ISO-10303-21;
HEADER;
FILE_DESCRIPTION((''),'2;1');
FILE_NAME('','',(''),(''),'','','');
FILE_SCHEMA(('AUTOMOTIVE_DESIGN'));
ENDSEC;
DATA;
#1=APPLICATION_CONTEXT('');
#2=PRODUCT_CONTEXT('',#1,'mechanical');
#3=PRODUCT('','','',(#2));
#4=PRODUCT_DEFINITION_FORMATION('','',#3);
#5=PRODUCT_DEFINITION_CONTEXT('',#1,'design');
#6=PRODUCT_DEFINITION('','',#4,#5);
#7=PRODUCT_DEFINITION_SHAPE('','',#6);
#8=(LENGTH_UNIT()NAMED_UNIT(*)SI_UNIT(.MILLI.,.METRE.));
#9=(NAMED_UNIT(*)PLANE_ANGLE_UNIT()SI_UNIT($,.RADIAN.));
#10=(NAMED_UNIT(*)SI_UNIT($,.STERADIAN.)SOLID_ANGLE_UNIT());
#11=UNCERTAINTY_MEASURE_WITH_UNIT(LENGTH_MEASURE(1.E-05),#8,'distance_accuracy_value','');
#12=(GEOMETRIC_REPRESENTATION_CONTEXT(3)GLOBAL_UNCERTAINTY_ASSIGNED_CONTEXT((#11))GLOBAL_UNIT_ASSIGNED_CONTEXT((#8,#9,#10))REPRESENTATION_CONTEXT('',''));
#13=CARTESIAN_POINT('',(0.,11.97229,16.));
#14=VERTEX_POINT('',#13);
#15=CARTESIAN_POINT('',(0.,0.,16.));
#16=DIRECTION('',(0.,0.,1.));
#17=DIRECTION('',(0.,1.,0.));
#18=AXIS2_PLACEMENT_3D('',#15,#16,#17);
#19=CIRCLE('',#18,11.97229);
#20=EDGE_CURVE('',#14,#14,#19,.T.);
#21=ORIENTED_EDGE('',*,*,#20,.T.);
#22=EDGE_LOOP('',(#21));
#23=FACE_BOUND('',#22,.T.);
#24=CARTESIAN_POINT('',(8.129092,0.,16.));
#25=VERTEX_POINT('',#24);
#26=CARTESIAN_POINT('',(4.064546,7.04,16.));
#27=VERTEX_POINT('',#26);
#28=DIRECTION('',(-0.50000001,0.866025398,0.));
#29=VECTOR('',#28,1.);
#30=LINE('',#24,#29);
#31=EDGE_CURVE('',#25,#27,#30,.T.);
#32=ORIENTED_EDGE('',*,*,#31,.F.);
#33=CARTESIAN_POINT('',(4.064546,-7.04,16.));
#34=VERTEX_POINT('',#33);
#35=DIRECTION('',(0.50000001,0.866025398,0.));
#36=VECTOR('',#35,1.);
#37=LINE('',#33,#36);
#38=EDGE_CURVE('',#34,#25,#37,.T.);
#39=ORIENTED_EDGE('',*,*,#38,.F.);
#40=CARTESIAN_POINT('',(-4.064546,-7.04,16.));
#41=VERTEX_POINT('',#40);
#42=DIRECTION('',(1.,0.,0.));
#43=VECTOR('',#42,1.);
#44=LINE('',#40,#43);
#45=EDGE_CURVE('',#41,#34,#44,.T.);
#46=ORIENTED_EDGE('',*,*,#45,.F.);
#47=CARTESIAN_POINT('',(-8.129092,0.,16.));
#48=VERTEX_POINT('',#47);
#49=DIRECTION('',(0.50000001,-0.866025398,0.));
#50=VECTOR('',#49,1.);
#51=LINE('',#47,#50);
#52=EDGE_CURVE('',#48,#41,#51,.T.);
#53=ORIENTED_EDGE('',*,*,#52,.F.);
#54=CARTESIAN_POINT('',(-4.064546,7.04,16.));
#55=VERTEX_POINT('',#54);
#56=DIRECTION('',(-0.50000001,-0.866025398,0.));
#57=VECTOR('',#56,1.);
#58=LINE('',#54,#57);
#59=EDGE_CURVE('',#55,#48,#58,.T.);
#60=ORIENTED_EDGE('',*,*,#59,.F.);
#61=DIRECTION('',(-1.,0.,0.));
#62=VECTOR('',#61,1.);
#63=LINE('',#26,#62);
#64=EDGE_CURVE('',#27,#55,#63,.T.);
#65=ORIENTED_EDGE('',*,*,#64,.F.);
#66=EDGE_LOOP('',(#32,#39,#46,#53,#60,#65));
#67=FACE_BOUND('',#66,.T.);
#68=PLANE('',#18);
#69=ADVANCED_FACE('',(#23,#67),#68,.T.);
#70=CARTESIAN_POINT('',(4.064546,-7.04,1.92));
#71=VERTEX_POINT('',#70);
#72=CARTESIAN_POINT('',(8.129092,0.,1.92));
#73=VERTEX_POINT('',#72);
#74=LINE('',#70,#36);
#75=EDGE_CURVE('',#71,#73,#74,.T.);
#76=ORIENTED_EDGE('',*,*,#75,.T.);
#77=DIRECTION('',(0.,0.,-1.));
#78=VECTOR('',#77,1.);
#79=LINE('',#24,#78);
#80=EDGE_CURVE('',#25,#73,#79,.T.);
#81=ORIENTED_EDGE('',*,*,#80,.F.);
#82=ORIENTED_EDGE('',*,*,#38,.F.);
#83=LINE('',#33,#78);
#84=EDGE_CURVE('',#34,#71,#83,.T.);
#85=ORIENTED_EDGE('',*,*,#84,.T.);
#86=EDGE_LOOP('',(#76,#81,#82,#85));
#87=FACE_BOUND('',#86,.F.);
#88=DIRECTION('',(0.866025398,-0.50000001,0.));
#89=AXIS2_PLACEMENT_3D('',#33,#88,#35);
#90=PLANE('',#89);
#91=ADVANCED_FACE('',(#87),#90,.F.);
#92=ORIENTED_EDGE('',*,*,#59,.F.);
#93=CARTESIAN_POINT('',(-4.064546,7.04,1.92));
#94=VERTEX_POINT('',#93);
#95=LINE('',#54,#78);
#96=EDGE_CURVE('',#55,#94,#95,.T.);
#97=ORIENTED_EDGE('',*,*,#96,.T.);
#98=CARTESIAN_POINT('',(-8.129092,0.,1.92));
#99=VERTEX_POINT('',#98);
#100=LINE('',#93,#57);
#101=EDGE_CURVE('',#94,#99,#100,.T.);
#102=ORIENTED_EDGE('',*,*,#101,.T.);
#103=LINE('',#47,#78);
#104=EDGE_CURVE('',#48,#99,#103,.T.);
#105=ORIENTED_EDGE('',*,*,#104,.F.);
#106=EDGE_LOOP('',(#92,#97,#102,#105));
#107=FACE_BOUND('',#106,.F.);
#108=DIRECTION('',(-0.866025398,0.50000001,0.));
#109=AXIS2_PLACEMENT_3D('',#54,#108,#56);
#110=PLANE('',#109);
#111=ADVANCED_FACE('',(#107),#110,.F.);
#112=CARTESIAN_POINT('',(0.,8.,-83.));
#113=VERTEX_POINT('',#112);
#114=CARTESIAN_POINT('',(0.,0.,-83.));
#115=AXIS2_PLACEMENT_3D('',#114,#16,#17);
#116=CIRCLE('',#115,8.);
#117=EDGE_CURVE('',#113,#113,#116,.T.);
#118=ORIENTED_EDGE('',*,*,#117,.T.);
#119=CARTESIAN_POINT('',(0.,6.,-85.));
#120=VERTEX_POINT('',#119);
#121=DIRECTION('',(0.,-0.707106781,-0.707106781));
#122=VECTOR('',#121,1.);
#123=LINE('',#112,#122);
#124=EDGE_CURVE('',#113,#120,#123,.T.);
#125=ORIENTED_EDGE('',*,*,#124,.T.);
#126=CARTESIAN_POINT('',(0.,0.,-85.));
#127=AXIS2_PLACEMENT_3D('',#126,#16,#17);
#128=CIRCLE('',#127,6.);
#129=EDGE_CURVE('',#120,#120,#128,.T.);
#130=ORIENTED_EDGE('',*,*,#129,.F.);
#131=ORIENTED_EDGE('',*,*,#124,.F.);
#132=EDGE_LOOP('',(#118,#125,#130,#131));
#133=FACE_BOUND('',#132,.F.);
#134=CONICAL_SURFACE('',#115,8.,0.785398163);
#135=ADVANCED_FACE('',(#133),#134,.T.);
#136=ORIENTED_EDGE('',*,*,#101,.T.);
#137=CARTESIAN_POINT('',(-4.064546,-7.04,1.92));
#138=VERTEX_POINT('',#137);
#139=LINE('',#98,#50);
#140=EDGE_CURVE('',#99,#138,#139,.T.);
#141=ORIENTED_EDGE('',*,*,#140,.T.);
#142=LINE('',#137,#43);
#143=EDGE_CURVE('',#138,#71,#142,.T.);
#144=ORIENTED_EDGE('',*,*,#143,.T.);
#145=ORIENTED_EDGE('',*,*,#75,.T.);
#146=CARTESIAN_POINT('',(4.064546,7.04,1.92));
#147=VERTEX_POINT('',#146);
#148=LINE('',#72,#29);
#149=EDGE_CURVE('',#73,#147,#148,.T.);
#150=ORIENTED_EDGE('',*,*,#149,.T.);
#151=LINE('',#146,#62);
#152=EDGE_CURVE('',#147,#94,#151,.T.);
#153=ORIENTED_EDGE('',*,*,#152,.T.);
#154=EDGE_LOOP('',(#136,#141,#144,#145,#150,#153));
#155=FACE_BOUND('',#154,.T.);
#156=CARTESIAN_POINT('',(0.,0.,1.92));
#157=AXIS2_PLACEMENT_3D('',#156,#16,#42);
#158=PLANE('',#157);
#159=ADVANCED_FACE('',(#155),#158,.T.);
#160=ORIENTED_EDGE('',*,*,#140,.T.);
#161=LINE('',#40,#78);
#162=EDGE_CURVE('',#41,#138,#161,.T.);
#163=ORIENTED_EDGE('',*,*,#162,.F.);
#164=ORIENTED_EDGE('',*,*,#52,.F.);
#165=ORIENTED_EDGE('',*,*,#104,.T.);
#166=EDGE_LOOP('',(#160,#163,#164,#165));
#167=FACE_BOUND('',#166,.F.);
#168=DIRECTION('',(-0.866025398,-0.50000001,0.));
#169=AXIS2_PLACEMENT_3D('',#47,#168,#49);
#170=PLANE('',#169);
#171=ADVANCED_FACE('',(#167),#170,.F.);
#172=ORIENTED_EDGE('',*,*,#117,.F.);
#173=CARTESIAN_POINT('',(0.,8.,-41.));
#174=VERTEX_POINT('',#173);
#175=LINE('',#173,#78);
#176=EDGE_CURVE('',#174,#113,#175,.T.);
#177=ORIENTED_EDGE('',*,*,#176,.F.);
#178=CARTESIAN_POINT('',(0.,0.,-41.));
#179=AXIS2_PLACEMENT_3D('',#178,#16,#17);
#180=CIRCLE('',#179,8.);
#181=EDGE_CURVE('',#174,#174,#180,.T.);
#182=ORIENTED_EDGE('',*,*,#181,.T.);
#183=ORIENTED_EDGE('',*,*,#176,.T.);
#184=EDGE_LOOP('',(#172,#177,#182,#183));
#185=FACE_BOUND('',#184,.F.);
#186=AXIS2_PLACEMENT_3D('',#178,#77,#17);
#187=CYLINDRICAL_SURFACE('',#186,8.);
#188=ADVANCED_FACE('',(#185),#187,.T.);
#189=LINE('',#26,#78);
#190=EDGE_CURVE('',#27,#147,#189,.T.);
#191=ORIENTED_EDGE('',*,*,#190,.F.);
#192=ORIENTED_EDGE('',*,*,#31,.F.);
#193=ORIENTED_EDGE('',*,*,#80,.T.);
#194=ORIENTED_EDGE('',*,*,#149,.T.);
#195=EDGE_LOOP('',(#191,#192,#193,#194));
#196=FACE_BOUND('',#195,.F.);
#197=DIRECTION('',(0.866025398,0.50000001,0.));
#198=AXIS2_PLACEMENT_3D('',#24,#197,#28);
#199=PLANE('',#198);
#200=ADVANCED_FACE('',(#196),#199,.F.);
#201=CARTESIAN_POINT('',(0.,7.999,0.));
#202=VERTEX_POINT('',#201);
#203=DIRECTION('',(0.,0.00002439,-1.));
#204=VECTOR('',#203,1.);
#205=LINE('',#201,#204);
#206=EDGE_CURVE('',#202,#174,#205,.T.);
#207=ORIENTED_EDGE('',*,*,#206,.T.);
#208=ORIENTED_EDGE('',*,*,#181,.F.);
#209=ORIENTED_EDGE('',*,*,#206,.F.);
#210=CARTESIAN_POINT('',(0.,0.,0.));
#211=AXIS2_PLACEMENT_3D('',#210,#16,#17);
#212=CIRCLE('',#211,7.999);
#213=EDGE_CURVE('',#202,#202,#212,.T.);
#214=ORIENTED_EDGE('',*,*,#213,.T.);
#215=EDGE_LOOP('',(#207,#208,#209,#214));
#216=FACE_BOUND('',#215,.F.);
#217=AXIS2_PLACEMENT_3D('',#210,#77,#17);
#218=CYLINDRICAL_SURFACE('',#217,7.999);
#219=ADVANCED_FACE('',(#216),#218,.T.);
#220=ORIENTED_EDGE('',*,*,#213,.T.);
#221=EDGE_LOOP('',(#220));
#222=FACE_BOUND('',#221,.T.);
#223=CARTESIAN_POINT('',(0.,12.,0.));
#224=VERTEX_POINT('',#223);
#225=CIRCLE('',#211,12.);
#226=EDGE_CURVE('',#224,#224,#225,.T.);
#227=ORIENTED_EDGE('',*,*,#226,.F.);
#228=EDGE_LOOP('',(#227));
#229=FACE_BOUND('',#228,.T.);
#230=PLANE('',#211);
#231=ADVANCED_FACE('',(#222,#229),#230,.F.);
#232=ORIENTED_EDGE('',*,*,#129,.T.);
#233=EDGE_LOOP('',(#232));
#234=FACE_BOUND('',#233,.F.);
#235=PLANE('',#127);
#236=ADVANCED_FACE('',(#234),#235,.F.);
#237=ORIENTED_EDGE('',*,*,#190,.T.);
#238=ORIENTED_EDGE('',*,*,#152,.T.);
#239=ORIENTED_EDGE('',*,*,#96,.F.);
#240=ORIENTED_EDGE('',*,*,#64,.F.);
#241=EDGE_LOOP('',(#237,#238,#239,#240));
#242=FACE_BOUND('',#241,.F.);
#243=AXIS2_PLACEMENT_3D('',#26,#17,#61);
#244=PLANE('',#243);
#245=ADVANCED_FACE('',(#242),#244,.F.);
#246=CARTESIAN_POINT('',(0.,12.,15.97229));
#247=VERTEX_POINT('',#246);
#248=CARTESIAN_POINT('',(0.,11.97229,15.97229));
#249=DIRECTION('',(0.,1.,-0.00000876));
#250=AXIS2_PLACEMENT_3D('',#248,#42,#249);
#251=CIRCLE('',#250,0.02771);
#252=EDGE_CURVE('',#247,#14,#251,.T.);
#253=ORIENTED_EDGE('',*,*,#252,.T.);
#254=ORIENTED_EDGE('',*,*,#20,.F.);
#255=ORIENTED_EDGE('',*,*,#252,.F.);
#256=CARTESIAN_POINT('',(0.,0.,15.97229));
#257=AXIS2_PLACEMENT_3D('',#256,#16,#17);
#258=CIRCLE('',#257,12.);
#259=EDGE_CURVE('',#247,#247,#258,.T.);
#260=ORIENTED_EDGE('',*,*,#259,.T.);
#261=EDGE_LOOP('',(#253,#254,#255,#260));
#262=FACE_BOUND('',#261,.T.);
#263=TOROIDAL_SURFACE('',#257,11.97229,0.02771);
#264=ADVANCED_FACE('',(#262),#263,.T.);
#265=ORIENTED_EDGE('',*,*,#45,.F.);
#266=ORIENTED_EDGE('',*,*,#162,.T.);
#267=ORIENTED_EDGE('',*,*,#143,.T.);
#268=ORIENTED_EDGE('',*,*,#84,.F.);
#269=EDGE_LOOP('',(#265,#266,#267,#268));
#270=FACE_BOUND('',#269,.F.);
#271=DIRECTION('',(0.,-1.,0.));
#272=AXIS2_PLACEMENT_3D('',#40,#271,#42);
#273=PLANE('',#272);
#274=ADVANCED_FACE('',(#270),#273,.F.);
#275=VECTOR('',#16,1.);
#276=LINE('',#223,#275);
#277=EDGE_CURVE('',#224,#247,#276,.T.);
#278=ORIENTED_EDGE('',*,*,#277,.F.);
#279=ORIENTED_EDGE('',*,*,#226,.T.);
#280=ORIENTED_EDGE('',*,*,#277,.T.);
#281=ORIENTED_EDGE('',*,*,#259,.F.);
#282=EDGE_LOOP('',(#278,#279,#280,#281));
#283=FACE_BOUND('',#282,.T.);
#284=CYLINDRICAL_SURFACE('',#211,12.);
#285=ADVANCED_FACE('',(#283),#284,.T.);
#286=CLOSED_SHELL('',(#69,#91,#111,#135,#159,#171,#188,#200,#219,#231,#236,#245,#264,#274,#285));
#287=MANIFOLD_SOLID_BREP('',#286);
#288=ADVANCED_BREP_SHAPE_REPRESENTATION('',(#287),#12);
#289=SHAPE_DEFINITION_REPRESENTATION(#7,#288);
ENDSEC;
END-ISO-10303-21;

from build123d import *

# Parameters (mm, degrees)
POCKET_DEPTH = 14.08


with BuildPart() as part:
    # Sketch → Revolve (revolve)
    with BuildSketch(Plane.YZ):
        with BuildLine():
            Line((7.999, 0), (12, 0))
            Line((12, 0), (12, 15.97229))
            ThreePointArc((12, 15.97229), (11.991884, 15.991884), (11.97229, 16))
            Line((11.97229, 16), (0, 16))
            Line((0, -85), (0, 16))
            Line((6, -85), (0, -85))
            Line((8, -83), (6, -85))
            Line((8, -41), (8, -83))
            Line((7.999, 0), (8, -41))
        make_face()
    revolve(axis=Axis((0, 0, 0), (0, 0, 1)))

    # Sketch001 → Pocket (cut)
    with BuildSketch(Plane.XY.offset(16)):
        Polygon((8.129092, 0), (4.064546, 7.04), (-4.064546, 7.04), (-8.129092, 0), (-4.064546, -7.04), (4.064546, -7.04), align=None)
    extrude(amount=-POCKET_DEPTH, mode=Mode.SUBTRACT)


solid = part.part
